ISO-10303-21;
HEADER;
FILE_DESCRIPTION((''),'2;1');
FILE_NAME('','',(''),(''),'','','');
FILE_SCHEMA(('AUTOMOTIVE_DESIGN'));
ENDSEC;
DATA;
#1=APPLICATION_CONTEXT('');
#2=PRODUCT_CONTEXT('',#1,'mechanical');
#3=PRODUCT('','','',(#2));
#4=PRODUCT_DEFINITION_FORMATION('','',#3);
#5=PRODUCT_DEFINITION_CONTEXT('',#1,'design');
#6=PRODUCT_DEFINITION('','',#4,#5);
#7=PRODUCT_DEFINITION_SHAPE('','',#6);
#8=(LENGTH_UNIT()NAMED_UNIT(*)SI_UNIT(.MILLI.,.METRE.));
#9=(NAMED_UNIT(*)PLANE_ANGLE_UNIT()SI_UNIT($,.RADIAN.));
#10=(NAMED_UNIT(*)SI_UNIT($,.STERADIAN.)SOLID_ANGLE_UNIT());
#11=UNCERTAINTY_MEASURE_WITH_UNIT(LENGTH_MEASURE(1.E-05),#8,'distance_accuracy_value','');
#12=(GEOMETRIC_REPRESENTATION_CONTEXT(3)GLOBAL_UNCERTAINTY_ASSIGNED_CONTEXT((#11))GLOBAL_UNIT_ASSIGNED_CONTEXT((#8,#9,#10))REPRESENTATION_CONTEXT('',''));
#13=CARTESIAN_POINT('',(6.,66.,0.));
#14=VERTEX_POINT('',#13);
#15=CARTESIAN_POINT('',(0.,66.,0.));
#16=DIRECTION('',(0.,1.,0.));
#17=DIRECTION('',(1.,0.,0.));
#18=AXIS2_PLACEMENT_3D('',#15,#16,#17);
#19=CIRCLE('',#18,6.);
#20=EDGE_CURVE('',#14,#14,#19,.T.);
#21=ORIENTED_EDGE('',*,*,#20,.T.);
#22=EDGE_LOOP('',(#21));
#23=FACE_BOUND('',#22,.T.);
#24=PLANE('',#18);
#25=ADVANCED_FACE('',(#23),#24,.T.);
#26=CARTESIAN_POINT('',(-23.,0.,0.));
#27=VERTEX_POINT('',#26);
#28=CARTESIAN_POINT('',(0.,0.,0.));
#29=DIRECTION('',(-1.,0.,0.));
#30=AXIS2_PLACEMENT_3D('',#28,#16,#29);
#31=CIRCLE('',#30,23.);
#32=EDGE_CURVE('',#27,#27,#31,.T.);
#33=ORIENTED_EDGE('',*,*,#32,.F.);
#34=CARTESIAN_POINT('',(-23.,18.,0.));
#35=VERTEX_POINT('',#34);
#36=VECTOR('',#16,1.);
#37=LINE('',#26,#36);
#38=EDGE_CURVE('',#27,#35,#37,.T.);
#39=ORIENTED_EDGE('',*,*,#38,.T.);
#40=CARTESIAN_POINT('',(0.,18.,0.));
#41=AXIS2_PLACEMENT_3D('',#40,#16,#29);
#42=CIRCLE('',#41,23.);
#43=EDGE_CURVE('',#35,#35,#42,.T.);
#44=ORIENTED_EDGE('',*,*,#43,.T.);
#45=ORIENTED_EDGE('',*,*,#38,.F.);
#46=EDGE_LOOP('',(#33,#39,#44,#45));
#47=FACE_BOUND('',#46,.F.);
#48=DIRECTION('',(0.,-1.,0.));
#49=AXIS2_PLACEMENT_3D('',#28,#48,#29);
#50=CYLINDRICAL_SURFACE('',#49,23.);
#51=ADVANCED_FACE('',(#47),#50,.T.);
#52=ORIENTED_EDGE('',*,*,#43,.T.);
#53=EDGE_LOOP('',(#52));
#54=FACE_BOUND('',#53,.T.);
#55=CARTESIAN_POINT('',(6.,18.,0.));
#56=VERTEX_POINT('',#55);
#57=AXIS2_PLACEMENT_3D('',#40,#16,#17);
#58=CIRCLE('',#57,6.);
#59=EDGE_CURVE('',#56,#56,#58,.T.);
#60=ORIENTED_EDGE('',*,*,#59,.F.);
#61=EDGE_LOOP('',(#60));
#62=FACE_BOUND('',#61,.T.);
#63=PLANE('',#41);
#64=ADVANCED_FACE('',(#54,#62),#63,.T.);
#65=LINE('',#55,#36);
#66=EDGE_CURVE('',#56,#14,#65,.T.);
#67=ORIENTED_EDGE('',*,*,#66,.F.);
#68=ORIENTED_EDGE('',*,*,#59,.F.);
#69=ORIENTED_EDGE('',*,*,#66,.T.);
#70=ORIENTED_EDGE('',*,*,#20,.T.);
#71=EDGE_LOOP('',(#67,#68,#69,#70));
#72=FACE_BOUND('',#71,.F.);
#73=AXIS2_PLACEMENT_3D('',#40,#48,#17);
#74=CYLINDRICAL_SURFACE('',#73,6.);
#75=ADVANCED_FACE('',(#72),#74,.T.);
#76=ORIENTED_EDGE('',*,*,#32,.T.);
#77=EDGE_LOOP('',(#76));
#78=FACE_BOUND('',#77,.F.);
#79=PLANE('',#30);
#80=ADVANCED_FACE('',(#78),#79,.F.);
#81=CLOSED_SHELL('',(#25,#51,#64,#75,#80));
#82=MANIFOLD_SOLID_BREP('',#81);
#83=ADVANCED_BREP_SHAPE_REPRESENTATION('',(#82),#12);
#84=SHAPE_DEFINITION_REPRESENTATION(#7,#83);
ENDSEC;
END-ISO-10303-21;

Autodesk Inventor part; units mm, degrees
ref_plane "YZ Plane" through (0, 0, 0) normal (1, 0, 0) x (0, 1, 0)
ref_plane "XZ Plane" through (0, 0, 0) normal (0, 1, 0) x (-1, 0, 0)
ref_plane "XY Plane" through (0, 0, 0) normal (0, 0, 1) x (1, 0, 0)
sketch "Sketch1" plane through (0, 0, 0) normal (0, 1, 0) x (-1, 0, 0)
  circle A0 centre (0, 0) radius 23
  dimension "d0" = 46
extrude "Extrusion1" add sketch "Sketch1" along normal blind 18
sketch "Sketch2" plane through (0, 18, 0) normal (0, 1, 0) x (1, 0, 0)
  circle A0 centre (0, 0) radius 6
  dimension "d3" = 12
extrude "Extrusion2" add sketch "Sketch2" along normal blind 48
properties part number "wheel_66"
